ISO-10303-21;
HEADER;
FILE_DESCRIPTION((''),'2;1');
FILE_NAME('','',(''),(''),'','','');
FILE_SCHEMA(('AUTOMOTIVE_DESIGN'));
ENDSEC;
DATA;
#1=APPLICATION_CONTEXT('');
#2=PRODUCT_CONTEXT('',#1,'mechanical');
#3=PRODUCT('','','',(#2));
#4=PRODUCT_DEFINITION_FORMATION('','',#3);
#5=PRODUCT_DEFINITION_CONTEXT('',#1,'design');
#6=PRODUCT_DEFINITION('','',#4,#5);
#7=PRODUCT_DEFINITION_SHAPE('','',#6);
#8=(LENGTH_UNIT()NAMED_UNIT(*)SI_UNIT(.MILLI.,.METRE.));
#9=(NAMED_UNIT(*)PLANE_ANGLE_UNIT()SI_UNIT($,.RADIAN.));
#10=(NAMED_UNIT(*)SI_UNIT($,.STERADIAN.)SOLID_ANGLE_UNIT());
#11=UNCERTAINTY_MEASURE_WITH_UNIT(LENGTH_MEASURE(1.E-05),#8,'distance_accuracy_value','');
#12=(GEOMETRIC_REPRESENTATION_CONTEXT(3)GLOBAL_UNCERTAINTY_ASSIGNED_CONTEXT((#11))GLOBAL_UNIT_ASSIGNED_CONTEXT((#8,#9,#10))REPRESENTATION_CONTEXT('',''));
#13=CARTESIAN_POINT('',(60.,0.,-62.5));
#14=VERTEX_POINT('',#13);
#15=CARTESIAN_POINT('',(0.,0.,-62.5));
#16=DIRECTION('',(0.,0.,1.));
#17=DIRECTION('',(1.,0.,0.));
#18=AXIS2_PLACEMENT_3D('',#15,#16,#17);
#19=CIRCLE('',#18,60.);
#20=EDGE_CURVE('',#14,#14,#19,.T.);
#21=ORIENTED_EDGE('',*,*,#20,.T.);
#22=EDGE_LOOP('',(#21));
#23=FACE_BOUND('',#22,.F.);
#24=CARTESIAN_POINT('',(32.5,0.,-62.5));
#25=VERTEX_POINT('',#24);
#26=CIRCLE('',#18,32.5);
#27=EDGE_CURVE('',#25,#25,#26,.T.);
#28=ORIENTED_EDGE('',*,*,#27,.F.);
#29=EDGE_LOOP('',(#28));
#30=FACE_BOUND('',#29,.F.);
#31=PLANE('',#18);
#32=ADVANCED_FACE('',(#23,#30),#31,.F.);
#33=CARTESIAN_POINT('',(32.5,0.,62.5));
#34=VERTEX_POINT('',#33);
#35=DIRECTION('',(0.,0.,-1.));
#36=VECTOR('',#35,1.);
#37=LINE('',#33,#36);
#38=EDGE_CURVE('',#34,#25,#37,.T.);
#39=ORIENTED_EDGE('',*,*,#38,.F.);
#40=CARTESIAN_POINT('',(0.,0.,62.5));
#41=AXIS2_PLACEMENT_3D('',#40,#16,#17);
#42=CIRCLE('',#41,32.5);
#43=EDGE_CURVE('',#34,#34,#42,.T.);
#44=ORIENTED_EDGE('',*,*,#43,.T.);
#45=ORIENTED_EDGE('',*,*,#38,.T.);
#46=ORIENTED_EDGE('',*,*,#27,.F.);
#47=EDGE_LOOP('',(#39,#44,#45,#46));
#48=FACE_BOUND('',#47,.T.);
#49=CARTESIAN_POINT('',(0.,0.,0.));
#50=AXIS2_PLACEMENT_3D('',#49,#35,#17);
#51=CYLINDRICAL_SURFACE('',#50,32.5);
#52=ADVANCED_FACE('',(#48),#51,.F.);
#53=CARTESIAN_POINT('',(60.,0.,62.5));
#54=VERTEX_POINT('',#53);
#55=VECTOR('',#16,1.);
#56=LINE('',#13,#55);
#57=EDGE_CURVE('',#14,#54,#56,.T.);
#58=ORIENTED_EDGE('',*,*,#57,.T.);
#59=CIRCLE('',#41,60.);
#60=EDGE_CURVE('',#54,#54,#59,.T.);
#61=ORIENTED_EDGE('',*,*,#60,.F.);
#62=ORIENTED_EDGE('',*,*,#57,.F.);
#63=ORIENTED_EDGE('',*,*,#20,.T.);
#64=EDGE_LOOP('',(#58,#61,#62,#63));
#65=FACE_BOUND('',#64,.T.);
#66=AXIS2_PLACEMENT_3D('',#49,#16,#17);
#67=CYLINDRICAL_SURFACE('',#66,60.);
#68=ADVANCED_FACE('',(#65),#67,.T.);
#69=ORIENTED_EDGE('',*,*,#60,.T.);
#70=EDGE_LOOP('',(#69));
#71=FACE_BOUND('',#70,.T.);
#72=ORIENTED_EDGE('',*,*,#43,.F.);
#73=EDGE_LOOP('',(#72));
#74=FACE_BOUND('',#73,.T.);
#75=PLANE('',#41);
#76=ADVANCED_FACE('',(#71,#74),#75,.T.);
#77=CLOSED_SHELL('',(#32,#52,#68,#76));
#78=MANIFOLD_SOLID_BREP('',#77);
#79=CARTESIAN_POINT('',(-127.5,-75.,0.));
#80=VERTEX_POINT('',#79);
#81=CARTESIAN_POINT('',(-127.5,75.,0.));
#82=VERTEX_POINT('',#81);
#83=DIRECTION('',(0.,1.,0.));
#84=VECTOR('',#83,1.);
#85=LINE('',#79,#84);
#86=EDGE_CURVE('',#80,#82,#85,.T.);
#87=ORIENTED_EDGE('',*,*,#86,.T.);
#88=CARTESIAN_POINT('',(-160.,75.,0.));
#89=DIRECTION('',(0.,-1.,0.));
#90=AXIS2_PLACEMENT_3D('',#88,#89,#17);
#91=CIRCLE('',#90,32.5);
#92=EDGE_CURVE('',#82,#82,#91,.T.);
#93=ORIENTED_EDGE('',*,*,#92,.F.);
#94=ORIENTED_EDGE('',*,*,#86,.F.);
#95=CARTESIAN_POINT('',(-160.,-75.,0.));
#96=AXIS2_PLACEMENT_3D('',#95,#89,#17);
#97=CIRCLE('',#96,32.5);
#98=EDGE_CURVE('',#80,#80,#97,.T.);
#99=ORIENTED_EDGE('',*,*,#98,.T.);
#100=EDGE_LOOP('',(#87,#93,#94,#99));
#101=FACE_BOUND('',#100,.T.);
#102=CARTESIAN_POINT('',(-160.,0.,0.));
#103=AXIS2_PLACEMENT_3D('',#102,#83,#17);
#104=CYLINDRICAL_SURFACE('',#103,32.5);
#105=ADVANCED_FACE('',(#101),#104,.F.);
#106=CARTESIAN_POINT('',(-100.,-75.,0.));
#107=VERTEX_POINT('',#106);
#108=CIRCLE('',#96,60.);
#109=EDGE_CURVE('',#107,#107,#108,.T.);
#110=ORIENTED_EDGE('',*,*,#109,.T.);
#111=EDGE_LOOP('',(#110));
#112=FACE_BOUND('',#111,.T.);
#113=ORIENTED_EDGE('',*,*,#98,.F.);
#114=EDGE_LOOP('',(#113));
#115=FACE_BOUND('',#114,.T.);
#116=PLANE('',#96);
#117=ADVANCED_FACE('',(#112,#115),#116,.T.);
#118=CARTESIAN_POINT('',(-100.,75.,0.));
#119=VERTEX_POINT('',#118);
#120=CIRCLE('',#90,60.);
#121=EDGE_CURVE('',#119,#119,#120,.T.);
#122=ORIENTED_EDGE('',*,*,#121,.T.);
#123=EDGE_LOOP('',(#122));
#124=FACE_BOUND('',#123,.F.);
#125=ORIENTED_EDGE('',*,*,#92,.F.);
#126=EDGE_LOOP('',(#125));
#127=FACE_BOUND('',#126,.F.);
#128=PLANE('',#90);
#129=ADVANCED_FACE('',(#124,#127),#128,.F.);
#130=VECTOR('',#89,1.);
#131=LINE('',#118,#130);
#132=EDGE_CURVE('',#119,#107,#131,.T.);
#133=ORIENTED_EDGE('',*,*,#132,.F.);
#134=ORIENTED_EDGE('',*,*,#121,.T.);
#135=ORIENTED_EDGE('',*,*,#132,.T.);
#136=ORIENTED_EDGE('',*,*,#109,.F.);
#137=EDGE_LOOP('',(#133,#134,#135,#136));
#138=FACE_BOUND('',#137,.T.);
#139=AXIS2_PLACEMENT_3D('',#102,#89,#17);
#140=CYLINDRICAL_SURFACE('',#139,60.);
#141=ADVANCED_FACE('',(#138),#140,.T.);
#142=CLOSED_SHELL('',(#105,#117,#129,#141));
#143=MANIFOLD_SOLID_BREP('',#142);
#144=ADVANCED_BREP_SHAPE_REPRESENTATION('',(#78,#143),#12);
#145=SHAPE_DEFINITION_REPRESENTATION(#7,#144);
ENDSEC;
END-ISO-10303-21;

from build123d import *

# Parameters (mm, degrees)
F0_R     = 60
F0_R_2   = 32.5
F1_DEPTH = 62.5
F2_R     = 60
F2_R_2   = 32.5
F3_DEPTH = 75


with BuildPart() as f1:
    # F0 (on Top) → F1 (new body, symmetric)
    with BuildSketch(Plane.XY):
        Circle(F0_R)
        Circle(F0_R_2, mode=Mode.SUBTRACT)
    extrude(amount=F1_DEPTH, both=True)


with BuildPart() as f3:
    # F2 (on Front) → F3 (new body, symmetric)
    with BuildSketch(Plane.XZ):
        with Locations((-160, 0)):
            Circle(F2_R)
        with Locations((-160, 0)):
            Circle(F2_R_2, mode=Mode.SUBTRACT)
    extrude(amount=F3_DEPTH, both=True)


solid = Compound([f1.part, f3.part])
